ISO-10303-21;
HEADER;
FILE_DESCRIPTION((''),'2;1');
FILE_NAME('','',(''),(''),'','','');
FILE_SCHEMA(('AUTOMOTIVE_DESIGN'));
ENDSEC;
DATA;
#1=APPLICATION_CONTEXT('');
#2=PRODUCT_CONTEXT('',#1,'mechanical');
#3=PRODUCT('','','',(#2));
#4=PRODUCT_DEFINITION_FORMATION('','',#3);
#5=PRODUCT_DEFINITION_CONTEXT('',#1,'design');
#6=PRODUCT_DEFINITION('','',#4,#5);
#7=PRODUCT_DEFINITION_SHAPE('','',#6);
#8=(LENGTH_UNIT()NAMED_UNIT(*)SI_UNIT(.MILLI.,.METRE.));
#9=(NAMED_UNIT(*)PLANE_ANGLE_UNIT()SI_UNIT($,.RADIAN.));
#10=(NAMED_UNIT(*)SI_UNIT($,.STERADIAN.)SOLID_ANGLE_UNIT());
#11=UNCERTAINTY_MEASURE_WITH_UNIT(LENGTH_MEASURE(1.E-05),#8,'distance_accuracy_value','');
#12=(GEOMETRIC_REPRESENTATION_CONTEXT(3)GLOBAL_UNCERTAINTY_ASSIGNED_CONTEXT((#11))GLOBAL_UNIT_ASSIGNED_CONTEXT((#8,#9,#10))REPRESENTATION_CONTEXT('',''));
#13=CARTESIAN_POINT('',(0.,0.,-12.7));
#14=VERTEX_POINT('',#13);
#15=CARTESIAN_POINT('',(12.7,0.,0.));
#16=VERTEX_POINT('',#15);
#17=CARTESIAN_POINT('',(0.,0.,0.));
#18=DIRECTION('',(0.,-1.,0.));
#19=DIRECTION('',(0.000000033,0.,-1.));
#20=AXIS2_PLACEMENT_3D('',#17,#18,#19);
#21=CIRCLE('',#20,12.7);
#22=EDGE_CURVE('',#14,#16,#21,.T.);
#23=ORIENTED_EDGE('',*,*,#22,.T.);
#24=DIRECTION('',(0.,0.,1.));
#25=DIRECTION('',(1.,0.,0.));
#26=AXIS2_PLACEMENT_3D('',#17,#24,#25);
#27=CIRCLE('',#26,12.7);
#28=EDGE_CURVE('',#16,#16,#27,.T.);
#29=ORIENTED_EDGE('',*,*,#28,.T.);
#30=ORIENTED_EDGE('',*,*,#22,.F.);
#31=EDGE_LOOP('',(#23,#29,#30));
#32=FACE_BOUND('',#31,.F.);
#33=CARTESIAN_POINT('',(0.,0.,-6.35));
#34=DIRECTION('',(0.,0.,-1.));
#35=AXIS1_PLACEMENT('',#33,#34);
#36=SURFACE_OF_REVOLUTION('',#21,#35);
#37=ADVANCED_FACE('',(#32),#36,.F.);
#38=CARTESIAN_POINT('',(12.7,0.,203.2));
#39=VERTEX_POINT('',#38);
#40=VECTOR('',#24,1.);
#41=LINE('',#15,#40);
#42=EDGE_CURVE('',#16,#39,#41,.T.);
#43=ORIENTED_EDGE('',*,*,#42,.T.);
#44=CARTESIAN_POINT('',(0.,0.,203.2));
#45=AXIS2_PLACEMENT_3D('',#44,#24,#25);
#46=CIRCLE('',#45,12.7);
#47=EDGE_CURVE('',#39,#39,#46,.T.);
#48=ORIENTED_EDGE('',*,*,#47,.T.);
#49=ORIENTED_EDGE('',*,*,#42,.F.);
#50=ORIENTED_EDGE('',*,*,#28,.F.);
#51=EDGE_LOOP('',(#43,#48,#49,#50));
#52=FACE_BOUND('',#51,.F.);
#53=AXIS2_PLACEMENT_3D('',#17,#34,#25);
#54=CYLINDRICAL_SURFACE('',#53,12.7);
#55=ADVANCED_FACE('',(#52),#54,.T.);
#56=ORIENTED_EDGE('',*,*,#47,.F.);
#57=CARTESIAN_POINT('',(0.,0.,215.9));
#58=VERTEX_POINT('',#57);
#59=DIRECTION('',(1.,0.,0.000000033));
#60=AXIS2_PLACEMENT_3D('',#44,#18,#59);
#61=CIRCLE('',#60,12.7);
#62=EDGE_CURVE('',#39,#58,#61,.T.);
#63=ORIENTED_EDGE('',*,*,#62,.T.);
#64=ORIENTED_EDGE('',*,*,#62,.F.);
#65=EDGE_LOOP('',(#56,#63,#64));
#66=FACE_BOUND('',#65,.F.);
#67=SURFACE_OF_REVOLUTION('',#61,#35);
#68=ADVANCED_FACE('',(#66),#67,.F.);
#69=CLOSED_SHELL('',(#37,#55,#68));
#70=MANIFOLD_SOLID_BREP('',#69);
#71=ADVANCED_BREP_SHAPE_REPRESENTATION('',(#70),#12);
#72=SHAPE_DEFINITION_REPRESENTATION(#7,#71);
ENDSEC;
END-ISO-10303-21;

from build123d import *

# Parameters (mm, degrees)
F0_R     = 12.7
F1_DEPTH = 203.2


with BuildPart() as f1:
    # F0 (on Top) → F1 (new body)
    with BuildSketch(Plane.XY):
        Circle(F0_R)
    extrude(amount=F1_DEPTH)

    # F2 (on Front) → F3 (revolve)
    with BuildSketch(Plane.XZ):
        with BuildLine():
            Line((0, 215.9), (0, 203.2))
            Line((0, 203.2), (12.7, 203.2))
            ThreePointArc((12.7, 203.2), (8.980256, 212.180256), (0, 215.9))
        make_face()
        with BuildLine():
            Line((12.7, 0), (0, 0))
            Line((0, 0), (0, -12.7))
            ThreePointArc((0, -12.7), (8.980256, -8.980256), (12.7, 0))
        make_face()
    revolve(axis=Axis((0, 0, -6.35), (0, 0, -1)))


solid = f1.part
